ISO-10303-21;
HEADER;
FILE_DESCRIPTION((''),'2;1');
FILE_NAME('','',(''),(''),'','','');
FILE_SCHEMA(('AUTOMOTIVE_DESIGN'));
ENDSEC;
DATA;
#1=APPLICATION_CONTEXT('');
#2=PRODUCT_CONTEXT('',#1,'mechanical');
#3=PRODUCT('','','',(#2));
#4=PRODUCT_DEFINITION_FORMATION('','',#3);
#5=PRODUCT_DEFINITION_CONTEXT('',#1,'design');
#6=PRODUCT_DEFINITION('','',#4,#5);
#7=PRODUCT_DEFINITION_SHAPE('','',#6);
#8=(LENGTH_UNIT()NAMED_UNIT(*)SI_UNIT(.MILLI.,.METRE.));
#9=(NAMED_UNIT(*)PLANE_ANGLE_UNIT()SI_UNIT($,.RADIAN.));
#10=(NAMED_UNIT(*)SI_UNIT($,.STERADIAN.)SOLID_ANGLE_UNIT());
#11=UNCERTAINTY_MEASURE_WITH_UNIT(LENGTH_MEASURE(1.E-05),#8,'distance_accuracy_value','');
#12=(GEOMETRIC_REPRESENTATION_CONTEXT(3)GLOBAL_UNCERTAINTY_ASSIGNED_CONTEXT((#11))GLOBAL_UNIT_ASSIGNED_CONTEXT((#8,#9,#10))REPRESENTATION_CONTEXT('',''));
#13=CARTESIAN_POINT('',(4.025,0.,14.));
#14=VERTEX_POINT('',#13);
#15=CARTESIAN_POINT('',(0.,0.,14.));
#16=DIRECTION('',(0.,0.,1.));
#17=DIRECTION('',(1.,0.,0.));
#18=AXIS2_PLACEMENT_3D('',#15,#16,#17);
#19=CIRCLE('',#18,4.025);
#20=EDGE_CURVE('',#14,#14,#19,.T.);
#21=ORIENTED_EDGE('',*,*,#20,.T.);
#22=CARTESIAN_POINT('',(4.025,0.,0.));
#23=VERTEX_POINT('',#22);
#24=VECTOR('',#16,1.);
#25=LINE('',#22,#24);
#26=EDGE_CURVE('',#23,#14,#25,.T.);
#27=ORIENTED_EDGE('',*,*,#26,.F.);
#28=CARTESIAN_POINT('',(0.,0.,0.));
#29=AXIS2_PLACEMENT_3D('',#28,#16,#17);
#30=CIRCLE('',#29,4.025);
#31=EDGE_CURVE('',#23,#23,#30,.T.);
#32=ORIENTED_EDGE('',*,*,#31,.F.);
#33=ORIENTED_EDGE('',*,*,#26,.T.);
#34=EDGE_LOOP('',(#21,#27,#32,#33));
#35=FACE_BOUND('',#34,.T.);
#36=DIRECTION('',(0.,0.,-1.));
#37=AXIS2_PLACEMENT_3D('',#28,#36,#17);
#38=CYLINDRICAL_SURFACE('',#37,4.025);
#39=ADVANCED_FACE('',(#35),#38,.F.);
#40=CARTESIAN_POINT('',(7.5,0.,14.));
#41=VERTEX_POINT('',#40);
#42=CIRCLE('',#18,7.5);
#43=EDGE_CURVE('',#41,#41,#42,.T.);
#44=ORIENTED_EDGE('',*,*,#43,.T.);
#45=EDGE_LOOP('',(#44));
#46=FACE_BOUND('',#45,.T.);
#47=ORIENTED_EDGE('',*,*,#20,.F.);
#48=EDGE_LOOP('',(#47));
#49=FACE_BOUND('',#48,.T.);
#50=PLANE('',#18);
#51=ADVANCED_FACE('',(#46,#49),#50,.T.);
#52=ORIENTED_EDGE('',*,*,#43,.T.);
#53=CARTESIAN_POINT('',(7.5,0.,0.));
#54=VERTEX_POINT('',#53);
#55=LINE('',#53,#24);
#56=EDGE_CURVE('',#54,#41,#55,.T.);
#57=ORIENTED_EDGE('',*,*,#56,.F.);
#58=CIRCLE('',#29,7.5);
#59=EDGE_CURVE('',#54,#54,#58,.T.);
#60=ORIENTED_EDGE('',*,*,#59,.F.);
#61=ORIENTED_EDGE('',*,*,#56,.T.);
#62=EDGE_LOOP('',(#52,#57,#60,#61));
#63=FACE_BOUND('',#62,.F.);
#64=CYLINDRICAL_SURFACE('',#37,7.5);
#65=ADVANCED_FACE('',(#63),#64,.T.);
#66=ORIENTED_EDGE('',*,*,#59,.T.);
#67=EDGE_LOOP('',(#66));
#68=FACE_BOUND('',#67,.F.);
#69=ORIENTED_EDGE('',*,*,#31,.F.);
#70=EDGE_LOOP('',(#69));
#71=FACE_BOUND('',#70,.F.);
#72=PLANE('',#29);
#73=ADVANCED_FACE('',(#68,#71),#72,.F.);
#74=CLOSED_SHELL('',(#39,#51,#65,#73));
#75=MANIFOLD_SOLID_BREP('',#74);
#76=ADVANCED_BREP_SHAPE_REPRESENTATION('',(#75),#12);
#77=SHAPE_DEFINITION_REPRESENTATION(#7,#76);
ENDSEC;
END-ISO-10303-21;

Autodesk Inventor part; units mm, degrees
ref_plane "YZ Plane" through (0, 0, 0) normal (1, 0, 0) x (0, 1, 0)
ref_plane "XZ Plane" through (0, 0, 0) normal (0, 1, 0) x (-1, 0, 0)
ref_plane "XY Plane" through (0, 0, 0) normal (0, 0, 1) x (1, 0, 0)
sketch "Sketch1" plane through (0, 0, 0) normal (0, 0, 1) x (1, 0, 0)
  point P0 (0, 0)
sketch "Sketch2" plane through (0, 0, 0) normal (0, 0, 1) x (1, 0, 0)
  circle A0 centre (0, 0) radius 4.025
  circle A1 centre (0, 0) radius 7.5
  dimension "d0" = 8.05
  dimension "d1" = 15
extrude "Extrusion1" add sketch "Sketch2" along normal blind 14
properties part number "COTS_GENERIC_Solenoid_Actuator_Coil"
